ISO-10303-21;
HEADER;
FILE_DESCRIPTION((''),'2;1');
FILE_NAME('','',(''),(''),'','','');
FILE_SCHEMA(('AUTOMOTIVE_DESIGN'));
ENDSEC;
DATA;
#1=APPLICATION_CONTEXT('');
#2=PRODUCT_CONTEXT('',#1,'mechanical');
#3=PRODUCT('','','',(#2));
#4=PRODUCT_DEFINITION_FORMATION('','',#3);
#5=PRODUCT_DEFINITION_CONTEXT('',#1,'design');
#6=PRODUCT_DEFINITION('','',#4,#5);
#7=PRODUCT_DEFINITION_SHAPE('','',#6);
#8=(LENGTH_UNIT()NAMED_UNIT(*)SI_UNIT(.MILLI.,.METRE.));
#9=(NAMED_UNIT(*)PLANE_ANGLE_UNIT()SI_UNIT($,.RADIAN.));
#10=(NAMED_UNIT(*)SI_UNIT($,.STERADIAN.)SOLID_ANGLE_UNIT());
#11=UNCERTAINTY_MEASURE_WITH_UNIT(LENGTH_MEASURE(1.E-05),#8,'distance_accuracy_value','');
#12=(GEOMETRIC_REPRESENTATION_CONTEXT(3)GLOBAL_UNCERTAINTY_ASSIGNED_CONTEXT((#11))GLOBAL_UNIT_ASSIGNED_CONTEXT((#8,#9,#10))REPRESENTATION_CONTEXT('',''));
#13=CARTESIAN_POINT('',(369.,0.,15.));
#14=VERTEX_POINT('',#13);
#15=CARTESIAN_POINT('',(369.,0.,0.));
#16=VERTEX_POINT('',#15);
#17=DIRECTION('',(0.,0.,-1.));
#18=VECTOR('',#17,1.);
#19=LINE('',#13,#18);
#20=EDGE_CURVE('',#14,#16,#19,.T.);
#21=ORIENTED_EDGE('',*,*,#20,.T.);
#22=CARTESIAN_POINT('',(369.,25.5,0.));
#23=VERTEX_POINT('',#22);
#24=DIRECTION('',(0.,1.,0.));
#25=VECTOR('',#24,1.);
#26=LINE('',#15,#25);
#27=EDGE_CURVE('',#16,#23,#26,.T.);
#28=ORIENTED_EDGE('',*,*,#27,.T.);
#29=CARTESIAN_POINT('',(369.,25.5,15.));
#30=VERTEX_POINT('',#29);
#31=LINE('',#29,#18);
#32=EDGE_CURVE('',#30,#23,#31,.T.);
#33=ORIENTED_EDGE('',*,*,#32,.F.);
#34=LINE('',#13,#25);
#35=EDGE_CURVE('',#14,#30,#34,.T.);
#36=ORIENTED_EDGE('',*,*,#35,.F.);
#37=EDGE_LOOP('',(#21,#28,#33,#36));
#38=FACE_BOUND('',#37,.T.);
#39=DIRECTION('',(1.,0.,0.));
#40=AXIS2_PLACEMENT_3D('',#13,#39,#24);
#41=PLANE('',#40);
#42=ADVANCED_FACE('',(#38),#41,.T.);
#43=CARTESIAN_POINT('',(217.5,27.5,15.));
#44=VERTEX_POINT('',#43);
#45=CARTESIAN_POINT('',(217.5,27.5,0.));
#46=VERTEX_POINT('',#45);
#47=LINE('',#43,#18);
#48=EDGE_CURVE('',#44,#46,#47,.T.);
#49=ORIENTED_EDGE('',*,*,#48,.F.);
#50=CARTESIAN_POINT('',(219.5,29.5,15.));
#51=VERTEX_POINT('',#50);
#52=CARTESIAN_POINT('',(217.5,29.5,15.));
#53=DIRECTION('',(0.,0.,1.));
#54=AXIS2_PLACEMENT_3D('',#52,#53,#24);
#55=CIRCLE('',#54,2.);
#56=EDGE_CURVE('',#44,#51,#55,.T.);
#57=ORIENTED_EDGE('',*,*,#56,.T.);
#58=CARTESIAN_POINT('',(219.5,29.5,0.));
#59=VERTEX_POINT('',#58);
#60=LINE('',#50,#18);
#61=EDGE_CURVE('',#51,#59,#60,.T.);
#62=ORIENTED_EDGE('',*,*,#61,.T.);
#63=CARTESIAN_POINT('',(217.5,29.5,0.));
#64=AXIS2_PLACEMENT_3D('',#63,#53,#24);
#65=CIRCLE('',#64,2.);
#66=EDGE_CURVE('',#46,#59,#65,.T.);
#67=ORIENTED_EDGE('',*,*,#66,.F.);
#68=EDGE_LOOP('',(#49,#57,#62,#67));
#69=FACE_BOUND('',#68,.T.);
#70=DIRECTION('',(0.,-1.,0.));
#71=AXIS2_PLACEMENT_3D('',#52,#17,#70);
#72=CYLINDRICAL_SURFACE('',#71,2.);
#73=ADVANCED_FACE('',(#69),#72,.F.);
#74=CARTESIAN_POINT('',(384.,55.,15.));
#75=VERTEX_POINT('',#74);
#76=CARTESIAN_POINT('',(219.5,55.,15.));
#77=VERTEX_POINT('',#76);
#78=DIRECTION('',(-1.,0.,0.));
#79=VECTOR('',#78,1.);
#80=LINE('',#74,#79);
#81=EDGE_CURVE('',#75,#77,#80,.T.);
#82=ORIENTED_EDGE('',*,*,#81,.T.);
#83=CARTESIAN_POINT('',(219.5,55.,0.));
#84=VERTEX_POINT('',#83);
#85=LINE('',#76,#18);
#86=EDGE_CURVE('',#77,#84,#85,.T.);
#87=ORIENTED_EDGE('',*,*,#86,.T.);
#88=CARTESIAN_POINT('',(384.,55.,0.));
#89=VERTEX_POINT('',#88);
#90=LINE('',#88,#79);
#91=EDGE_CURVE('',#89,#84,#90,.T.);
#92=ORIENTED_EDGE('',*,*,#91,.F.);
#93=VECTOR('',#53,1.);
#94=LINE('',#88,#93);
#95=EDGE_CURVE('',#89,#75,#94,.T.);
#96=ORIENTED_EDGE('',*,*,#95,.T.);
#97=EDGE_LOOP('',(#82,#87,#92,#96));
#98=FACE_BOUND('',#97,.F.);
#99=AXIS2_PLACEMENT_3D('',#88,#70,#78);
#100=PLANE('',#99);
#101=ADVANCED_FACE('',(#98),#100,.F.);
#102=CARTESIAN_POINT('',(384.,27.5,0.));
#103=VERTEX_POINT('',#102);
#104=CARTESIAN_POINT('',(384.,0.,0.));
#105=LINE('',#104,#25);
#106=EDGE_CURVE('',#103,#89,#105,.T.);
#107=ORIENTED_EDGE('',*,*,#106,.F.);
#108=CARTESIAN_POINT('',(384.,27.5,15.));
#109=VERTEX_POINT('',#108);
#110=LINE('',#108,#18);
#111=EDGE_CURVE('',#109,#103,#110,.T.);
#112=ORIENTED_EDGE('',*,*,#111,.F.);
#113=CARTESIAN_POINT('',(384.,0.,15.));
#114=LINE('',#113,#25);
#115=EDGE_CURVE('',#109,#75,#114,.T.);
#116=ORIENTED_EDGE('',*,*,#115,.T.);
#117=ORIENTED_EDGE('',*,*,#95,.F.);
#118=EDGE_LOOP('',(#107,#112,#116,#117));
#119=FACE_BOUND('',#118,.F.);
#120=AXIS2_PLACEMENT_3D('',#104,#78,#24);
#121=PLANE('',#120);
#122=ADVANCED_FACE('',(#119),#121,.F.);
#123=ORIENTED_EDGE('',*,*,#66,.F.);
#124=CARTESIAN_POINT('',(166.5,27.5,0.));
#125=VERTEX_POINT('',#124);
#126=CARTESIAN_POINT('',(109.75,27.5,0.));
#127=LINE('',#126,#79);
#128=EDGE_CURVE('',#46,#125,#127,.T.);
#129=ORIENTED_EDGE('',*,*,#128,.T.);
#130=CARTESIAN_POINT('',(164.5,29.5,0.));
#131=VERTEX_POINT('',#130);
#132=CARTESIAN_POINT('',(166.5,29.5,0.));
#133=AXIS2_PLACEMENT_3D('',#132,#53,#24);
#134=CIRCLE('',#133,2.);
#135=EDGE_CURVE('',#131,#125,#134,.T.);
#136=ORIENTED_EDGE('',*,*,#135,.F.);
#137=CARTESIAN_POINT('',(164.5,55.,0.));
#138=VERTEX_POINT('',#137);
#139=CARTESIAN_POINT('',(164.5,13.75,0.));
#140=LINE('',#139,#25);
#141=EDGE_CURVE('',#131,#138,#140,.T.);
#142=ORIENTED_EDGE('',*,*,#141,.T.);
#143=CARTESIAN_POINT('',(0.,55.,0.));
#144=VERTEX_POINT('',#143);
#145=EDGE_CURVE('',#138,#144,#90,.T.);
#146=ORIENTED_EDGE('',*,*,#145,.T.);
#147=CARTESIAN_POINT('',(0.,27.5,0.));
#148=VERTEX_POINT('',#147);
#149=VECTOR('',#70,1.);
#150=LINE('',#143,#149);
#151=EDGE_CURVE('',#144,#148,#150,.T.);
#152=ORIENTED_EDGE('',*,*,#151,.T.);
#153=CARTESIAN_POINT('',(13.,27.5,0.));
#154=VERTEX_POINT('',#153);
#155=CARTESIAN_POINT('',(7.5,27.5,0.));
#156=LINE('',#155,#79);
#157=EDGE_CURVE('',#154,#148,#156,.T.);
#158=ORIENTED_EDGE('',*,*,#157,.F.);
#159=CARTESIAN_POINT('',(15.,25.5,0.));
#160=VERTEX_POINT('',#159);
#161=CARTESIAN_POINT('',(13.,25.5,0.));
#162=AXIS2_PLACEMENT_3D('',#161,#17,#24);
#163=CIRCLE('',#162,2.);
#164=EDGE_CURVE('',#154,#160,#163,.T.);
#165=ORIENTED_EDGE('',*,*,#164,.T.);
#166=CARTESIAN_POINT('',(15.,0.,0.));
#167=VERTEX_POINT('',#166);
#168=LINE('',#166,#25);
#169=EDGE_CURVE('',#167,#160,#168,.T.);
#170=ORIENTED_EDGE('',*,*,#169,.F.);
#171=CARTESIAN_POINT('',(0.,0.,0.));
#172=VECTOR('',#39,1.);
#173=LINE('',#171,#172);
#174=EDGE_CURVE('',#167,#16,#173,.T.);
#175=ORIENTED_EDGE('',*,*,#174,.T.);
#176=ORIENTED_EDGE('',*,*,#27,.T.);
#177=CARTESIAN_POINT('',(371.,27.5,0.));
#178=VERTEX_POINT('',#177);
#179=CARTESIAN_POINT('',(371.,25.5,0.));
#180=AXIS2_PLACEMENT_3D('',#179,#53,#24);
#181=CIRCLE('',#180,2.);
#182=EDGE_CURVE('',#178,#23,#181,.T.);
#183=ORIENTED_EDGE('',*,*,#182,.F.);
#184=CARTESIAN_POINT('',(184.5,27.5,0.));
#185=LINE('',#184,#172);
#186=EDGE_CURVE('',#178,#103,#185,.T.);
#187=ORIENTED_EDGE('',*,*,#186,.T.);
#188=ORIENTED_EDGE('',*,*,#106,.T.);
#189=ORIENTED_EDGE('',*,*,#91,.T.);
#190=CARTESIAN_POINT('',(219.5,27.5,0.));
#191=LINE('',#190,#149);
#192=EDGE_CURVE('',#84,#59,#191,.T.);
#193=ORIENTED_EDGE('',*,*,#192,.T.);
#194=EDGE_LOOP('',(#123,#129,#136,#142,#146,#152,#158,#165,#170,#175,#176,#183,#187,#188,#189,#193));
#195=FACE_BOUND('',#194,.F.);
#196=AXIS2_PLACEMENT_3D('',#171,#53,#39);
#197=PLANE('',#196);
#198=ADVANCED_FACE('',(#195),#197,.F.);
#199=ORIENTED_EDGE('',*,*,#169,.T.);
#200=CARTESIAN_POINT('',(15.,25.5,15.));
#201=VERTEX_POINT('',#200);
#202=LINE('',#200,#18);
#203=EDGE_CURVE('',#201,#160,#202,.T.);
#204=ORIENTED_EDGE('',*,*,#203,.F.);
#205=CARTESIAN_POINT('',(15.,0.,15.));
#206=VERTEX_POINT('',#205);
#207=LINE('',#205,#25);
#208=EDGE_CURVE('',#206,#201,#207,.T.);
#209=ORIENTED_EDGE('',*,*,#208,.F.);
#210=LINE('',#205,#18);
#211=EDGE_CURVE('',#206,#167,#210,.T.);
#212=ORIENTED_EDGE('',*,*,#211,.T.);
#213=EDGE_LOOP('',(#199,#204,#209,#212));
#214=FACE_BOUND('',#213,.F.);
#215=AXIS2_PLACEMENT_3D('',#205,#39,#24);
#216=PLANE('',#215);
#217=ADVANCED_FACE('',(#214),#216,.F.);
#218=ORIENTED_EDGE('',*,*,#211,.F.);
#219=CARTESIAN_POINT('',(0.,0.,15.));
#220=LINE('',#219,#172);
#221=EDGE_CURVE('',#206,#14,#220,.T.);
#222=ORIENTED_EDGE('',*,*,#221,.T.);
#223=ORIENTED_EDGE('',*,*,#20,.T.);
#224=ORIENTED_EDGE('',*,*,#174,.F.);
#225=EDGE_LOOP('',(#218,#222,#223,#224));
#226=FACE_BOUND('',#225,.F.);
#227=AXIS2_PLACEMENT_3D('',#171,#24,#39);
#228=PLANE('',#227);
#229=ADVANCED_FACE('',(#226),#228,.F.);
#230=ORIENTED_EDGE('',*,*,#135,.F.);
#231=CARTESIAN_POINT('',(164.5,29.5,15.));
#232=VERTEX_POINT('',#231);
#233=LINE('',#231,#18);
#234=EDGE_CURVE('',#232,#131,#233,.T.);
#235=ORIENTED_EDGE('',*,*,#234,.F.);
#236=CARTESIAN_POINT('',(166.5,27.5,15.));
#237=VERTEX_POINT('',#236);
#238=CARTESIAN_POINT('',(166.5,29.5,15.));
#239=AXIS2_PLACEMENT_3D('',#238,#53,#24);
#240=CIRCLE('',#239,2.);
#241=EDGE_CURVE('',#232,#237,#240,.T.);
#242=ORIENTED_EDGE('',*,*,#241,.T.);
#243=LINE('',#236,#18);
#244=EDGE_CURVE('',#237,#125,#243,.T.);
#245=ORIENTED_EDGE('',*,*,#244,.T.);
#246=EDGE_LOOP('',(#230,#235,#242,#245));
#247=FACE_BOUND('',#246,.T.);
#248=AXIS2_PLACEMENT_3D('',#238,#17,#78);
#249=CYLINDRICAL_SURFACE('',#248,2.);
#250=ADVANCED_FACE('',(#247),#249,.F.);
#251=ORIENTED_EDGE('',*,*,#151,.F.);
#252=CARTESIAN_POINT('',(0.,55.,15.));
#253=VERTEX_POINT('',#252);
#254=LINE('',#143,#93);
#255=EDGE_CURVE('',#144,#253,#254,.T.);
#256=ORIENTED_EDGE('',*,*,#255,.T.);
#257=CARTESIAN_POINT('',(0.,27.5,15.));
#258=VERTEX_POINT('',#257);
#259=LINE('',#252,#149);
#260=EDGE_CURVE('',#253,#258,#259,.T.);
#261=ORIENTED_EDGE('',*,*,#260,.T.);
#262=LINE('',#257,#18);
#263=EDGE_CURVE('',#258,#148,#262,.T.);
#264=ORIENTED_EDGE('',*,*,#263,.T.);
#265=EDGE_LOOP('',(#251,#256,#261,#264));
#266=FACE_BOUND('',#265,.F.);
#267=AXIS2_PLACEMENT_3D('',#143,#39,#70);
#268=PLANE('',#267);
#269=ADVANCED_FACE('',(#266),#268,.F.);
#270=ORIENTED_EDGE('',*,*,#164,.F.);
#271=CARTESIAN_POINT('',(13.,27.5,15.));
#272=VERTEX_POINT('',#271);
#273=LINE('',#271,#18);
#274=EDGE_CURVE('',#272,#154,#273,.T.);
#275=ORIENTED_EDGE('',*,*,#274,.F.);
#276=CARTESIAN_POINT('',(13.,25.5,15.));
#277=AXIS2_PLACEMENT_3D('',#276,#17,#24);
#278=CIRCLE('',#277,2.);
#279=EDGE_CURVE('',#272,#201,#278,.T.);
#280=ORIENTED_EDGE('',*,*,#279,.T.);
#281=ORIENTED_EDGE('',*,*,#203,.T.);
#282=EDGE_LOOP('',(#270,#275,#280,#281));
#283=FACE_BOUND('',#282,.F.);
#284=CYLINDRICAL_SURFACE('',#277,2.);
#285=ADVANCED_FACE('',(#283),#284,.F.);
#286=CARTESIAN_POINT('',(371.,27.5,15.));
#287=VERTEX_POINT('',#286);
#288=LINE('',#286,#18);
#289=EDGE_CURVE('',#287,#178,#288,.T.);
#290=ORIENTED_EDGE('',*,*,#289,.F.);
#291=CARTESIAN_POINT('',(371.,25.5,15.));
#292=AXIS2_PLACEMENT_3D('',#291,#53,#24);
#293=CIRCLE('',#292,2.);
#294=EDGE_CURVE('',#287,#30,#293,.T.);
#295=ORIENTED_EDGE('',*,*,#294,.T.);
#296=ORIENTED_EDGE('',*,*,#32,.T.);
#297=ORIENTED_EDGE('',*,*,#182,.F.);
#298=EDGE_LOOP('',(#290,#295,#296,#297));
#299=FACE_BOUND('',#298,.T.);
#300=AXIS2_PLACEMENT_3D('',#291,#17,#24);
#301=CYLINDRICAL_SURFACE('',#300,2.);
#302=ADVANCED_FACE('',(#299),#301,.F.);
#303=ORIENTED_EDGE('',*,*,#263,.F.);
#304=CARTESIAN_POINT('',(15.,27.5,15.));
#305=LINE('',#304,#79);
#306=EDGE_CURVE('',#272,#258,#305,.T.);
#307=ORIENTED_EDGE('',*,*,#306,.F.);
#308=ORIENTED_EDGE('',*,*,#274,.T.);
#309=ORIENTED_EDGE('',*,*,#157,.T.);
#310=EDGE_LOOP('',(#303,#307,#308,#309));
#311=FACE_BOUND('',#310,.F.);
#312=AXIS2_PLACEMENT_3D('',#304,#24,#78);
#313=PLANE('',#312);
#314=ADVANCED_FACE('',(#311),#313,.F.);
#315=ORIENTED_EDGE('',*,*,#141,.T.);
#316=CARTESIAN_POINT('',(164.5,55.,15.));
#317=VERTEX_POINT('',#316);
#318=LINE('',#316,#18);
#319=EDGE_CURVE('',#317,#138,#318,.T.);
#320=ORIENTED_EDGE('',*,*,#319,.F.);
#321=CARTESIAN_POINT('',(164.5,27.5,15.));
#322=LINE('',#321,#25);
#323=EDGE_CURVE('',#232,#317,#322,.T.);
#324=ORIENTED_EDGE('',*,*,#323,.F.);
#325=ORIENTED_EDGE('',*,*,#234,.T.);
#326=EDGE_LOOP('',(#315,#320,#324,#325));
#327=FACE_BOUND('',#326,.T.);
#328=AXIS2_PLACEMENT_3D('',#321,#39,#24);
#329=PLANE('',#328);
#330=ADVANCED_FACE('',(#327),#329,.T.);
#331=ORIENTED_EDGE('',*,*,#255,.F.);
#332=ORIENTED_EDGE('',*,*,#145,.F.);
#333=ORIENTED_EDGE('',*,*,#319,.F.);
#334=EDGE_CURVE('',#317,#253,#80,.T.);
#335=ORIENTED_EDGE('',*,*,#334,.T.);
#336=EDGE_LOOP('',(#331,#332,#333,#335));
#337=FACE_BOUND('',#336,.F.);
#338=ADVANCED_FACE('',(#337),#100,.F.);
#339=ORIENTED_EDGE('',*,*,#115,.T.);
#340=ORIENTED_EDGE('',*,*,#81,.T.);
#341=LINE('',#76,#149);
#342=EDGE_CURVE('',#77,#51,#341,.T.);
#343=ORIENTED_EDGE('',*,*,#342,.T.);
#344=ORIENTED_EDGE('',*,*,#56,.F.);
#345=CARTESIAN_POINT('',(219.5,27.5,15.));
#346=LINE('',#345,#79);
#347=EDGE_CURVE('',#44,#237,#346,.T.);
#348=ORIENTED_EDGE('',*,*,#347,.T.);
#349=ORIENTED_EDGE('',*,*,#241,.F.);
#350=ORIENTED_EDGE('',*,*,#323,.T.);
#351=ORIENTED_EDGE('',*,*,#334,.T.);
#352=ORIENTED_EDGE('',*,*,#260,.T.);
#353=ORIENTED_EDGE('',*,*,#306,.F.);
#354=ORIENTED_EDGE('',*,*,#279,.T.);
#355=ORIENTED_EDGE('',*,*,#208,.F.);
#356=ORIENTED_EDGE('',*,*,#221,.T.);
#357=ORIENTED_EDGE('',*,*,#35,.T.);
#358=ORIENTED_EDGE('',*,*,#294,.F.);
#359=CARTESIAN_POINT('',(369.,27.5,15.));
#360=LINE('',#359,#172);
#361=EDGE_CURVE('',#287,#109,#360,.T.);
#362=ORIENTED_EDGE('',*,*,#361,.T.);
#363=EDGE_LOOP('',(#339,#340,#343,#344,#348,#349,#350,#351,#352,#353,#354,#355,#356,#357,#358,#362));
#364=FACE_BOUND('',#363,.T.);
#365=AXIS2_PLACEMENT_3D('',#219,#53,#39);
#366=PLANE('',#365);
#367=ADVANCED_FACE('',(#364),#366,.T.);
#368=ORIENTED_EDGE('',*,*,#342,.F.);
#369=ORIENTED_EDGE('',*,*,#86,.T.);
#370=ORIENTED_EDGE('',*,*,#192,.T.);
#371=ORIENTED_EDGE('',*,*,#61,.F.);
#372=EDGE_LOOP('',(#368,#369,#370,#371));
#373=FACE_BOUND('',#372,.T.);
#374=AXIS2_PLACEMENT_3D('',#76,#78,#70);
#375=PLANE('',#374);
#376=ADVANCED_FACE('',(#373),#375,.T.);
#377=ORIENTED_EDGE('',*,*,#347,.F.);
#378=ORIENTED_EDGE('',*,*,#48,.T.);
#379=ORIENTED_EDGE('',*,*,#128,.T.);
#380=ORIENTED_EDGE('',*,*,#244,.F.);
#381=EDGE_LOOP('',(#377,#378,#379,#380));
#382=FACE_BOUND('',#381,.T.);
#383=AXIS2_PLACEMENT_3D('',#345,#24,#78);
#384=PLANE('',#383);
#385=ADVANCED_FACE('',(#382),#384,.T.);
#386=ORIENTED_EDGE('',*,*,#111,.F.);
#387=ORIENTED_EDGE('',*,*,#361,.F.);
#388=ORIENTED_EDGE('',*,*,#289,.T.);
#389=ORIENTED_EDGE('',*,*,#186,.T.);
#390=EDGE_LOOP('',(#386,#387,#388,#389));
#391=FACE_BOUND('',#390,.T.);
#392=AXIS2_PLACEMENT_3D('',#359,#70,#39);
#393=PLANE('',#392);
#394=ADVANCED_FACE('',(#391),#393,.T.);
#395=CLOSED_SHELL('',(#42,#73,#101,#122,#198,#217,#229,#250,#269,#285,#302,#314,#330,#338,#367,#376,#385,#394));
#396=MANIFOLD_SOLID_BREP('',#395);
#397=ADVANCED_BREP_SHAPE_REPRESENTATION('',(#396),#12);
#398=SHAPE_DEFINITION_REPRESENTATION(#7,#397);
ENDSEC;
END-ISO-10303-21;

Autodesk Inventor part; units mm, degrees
ref_plane "YZ Plane" through (0, 0, 0) normal (1, 0, 0) x (0, 1, 0)
ref_plane "XZ Plane" through (0, 0, 0) normal (0, 1, 0) x (-1, 0, 0)
sketch "Sketch1" plane through (0, 0, 0) normal (0, 0, 1) x (1, 0, 0)
  line L0 (0, 0) -> (384, 0)
  line L1 (384, 0) -> (384, 55)
  line L2 (384, 55) -> (0, 55)
  line L3 (0, 55) -> (0, 0)
  dimension "d0" = 55
  dimension "d1" = 384
extrude "Extrusion1" add sketch "Sketch1" along normal blind 15
sketch "Sketch4" plane through (0, 0, 15) normal (0, 0, 1) x (1, 0, 0)
  line L0 (0, 0) -> (15, 0)
  line L1 (15, 0) -> (15, 27.5)
  line L2 (15, 27.5) -> (0, 27.5)
  line L3 (0, 27.5) -> (0, 0)
  line L4 (384, 55) -> (0, 55) projected
  line L5 (192, 55) -> (192, 39.783)
  line L6 (164.5, 55) -> (219.5, 55)
  line L7 (219.5, 55) -> (219.5, 27.5)
  line L8 (219.5, 27.5) -> (164.5, 27.5)
  line L9 (164.5, 27.5) -> (164.5, 55)
  line L10 (384, 0) -> (369, 0)
  line L11 (369, 0) -> (369, 27.5)
  line L12 (369, 27.5) -> (384, 27.5)
  line L13 (384, 27.5) -> (384, 0)
  point P0 (192, 27.5)
  dimension "d23" = 15
  dimension "d24" = 27.5
  dimension "d25" = 55
extrude "Extrusion2" cut sketch "Sketch4" against normal through all
ref_plane "Work Plane1" through (192, 55, 15) normal (1, 0, 0) x (0, 0, -1)
fillet "Fillet1" radius 2 4 edges at (15, 27.5, 7.5) (164.5, 27.5, 7.5) (219.5, 27.5, 7.5) (369, 27.5, 7.5)
sketch "Sketch2" plane through (0, 55, 0) normal (0, 1, 0) x (1, 0, 0)
  line L0 (7.5, -7.5) -> (376.5, -7.5)
  line L1 (0, 0) -> (0, -15) projected
  line L2 (384, 0) -> (0, 0) projected
  point P0 (192, -7.5)
  point P1 (0, -7.5)
  point P2 (192, 0)
  dimension "d4" = 369
sketch "Sketch3" plane through (0, 0, 0) normal (0, 0, -1) x (-1, 0, 0)
  line L0 (-384, 0) -> (-384, 55) projected
  line L1 (0, 0) -> (-384, 0) projected
  line L2 (0, 55) -> (0, 0) projected
  line L3 (-384, 55) -> (0, 55) projected
  line L4 (-7.5, 10) -> (-376.5, 10)
  line L5 (-376.5, 45) -> (-7.5, 45)
  dimension "d12" = 10
  dimension "d20" = 10
  dimension "d21" = 7.5
  dimension "d22" = 7.5
equation "\"d20\" = d12"
equation "\"d22\" = d21"
properties part number "Breadth Board"
